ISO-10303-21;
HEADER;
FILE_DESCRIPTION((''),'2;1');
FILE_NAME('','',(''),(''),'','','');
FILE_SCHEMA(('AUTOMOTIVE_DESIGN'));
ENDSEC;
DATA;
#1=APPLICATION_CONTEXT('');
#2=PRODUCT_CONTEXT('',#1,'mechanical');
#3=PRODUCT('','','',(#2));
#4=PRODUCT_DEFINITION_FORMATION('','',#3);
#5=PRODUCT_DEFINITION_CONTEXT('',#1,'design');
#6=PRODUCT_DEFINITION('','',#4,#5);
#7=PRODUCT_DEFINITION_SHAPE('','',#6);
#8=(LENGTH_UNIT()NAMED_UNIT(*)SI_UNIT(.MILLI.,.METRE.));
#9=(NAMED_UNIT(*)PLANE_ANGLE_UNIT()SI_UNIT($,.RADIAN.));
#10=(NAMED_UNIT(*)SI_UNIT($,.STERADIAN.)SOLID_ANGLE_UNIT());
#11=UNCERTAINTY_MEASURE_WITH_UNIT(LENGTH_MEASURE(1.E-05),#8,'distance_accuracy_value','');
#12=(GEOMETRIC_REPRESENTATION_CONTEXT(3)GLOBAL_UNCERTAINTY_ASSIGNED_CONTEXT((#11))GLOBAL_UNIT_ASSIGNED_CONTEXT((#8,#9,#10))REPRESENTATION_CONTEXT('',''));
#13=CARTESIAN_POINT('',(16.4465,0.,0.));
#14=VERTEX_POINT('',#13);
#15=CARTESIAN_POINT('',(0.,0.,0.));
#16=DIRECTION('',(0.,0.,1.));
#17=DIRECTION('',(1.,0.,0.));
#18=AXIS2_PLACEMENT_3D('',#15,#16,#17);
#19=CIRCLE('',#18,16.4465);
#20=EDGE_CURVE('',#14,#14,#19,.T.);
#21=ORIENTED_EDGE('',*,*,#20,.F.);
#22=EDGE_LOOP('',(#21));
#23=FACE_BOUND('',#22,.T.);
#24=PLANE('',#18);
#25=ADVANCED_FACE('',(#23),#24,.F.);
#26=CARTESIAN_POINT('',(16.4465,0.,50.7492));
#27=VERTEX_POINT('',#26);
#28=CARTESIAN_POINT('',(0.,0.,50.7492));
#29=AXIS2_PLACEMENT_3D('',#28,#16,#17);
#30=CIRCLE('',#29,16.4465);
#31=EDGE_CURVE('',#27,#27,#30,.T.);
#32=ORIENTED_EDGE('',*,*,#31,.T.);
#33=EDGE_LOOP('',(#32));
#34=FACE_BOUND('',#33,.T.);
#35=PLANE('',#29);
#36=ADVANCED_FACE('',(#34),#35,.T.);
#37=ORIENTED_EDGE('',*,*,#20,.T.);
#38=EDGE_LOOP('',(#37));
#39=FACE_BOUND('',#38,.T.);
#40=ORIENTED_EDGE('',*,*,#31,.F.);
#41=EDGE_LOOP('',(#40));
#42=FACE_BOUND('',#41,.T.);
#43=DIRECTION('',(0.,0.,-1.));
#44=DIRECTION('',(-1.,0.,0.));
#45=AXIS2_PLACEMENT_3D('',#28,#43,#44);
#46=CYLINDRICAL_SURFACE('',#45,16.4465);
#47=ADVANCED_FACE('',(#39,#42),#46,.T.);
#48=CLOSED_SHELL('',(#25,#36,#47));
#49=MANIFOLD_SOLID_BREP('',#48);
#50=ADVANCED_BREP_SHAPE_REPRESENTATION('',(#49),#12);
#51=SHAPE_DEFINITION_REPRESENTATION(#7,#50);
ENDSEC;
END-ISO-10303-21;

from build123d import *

# Parameters (mm, degrees)
SKETCH1_R      = 16.4465
EXTRUDE1_DEPTH = 50.7492


with BuildPart() as part:
    # Sketch1 → Extrude1 (new body)
    with BuildSketch(Plane.XY):
        Circle(SKETCH1_R)
    extrude(amount=EXTRUDE1_DEPTH)


solid = part.part
